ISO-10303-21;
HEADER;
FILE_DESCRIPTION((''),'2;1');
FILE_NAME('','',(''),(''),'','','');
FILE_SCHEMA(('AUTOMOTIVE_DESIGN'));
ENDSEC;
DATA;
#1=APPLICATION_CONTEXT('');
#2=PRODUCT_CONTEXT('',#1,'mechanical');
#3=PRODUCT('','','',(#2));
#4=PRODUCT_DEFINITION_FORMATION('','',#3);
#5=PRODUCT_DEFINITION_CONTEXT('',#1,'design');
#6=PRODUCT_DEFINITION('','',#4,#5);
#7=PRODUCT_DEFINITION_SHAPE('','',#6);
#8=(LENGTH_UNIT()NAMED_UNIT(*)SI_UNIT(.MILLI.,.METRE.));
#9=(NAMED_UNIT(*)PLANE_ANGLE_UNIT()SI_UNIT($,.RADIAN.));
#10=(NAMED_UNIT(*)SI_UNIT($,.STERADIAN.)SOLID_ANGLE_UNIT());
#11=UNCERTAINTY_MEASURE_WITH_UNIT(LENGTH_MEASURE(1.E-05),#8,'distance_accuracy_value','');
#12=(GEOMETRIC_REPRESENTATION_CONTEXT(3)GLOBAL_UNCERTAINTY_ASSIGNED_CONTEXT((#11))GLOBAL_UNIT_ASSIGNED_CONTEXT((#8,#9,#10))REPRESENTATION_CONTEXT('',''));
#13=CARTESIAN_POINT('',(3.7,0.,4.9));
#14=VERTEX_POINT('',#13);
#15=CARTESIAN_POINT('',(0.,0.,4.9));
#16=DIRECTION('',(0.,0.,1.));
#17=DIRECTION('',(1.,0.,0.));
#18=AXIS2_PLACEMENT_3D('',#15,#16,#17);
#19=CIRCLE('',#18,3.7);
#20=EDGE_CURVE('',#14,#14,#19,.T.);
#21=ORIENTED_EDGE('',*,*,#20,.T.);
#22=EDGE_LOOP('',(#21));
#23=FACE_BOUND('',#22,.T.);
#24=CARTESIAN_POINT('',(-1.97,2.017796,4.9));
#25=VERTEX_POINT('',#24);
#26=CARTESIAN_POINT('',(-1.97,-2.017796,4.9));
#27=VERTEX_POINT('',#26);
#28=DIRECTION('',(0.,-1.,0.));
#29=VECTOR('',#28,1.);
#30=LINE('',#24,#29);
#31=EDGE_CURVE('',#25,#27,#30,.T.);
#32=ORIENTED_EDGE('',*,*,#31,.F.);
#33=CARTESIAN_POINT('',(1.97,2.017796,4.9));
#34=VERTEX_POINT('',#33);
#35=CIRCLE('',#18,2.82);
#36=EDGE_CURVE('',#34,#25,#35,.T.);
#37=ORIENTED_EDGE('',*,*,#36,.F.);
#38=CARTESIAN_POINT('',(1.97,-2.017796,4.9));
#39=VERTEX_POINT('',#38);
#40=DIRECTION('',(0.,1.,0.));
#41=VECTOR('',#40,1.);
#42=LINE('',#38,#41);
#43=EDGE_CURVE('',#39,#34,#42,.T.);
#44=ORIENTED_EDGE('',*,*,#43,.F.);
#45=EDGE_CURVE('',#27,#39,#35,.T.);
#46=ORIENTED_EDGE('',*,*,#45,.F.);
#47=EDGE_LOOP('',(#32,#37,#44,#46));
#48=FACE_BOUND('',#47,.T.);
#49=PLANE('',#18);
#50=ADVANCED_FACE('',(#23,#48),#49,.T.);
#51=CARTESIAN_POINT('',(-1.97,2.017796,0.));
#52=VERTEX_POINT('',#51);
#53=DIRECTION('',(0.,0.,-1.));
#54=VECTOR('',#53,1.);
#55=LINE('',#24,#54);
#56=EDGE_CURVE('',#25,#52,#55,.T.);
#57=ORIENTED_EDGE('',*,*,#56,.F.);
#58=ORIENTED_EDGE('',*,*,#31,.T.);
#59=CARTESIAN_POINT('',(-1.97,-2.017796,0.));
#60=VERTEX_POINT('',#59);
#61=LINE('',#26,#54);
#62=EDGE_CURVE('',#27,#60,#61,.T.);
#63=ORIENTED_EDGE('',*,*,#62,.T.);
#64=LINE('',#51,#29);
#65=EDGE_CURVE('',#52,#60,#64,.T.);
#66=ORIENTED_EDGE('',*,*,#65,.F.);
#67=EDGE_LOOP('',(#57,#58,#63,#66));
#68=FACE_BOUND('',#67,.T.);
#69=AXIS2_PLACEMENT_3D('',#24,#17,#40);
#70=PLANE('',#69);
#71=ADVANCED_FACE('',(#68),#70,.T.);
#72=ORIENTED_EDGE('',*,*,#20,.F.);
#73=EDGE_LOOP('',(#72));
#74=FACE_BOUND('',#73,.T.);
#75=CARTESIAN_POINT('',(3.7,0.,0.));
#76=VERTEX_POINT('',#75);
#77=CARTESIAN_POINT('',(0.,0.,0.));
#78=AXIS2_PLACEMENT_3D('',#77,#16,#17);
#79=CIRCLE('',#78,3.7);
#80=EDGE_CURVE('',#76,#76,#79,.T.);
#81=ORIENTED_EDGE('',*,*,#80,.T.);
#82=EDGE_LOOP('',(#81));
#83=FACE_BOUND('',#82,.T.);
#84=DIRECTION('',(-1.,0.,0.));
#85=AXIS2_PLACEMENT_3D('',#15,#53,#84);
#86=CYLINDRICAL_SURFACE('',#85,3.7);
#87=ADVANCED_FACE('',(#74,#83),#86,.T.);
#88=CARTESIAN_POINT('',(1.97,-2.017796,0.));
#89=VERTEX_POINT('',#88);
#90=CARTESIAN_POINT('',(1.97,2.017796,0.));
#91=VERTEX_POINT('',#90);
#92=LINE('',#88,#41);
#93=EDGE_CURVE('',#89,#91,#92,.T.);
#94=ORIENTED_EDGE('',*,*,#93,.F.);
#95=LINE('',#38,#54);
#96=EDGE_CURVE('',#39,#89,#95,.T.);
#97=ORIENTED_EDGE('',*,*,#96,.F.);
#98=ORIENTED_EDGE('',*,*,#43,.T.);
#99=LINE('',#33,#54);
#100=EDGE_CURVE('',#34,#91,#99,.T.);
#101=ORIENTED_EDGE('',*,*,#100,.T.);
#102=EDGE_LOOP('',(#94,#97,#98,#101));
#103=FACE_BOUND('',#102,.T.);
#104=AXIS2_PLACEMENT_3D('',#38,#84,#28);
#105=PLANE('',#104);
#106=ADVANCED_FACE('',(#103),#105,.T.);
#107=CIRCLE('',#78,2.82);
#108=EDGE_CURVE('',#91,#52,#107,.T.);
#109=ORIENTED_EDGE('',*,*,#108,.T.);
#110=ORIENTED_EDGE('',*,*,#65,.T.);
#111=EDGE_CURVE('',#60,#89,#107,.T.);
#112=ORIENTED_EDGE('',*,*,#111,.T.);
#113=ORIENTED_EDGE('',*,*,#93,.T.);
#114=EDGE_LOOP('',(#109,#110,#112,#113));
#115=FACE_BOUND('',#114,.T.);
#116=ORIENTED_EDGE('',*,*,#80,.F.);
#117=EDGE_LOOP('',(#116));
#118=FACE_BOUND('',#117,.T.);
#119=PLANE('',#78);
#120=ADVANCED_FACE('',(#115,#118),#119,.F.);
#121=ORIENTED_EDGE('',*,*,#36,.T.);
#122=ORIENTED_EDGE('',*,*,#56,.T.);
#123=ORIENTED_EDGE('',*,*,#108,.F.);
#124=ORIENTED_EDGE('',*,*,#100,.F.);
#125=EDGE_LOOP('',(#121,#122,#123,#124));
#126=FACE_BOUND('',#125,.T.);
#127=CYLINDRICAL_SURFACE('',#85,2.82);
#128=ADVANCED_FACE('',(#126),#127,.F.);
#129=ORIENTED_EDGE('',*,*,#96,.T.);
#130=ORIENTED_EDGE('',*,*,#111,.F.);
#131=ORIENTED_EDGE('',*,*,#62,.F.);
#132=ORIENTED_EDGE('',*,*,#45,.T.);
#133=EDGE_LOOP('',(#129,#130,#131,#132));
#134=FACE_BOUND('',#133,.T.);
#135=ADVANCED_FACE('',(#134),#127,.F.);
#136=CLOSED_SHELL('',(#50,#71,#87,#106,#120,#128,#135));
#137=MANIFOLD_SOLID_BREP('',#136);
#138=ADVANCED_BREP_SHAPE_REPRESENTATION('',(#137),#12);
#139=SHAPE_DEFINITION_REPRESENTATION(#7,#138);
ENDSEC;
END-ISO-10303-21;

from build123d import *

# Parameters (mm, degrees)
ESBO_O2_R                = 3.7
RESSALTO_EXTRUS_O1_DEPTH = 4.9


with BuildPart() as part:
    # Esboço2 → Ressalto-extrusão1 (new body)
    with BuildSketch(Plane.XY):
        Circle(ESBO_O2_R)
        with BuildLine():
            Line((1.97, -2.017795827), (1.97, 2.017795827))
            ThreePointArc((1.97, 2.017795827), (0, 2.82), (-1.97, 2.017795827))
            Line((-1.97, 2.017795827), (-1.97, -2.017795827))
            ThreePointArc((-1.97, -2.017795827), (0, -2.82), (1.97, -2.017795827))
        make_face(mode=Mode.SUBTRACT)
    extrude(amount=RESSALTO_EXTRUS_O1_DEPTH)


solid = part.part
